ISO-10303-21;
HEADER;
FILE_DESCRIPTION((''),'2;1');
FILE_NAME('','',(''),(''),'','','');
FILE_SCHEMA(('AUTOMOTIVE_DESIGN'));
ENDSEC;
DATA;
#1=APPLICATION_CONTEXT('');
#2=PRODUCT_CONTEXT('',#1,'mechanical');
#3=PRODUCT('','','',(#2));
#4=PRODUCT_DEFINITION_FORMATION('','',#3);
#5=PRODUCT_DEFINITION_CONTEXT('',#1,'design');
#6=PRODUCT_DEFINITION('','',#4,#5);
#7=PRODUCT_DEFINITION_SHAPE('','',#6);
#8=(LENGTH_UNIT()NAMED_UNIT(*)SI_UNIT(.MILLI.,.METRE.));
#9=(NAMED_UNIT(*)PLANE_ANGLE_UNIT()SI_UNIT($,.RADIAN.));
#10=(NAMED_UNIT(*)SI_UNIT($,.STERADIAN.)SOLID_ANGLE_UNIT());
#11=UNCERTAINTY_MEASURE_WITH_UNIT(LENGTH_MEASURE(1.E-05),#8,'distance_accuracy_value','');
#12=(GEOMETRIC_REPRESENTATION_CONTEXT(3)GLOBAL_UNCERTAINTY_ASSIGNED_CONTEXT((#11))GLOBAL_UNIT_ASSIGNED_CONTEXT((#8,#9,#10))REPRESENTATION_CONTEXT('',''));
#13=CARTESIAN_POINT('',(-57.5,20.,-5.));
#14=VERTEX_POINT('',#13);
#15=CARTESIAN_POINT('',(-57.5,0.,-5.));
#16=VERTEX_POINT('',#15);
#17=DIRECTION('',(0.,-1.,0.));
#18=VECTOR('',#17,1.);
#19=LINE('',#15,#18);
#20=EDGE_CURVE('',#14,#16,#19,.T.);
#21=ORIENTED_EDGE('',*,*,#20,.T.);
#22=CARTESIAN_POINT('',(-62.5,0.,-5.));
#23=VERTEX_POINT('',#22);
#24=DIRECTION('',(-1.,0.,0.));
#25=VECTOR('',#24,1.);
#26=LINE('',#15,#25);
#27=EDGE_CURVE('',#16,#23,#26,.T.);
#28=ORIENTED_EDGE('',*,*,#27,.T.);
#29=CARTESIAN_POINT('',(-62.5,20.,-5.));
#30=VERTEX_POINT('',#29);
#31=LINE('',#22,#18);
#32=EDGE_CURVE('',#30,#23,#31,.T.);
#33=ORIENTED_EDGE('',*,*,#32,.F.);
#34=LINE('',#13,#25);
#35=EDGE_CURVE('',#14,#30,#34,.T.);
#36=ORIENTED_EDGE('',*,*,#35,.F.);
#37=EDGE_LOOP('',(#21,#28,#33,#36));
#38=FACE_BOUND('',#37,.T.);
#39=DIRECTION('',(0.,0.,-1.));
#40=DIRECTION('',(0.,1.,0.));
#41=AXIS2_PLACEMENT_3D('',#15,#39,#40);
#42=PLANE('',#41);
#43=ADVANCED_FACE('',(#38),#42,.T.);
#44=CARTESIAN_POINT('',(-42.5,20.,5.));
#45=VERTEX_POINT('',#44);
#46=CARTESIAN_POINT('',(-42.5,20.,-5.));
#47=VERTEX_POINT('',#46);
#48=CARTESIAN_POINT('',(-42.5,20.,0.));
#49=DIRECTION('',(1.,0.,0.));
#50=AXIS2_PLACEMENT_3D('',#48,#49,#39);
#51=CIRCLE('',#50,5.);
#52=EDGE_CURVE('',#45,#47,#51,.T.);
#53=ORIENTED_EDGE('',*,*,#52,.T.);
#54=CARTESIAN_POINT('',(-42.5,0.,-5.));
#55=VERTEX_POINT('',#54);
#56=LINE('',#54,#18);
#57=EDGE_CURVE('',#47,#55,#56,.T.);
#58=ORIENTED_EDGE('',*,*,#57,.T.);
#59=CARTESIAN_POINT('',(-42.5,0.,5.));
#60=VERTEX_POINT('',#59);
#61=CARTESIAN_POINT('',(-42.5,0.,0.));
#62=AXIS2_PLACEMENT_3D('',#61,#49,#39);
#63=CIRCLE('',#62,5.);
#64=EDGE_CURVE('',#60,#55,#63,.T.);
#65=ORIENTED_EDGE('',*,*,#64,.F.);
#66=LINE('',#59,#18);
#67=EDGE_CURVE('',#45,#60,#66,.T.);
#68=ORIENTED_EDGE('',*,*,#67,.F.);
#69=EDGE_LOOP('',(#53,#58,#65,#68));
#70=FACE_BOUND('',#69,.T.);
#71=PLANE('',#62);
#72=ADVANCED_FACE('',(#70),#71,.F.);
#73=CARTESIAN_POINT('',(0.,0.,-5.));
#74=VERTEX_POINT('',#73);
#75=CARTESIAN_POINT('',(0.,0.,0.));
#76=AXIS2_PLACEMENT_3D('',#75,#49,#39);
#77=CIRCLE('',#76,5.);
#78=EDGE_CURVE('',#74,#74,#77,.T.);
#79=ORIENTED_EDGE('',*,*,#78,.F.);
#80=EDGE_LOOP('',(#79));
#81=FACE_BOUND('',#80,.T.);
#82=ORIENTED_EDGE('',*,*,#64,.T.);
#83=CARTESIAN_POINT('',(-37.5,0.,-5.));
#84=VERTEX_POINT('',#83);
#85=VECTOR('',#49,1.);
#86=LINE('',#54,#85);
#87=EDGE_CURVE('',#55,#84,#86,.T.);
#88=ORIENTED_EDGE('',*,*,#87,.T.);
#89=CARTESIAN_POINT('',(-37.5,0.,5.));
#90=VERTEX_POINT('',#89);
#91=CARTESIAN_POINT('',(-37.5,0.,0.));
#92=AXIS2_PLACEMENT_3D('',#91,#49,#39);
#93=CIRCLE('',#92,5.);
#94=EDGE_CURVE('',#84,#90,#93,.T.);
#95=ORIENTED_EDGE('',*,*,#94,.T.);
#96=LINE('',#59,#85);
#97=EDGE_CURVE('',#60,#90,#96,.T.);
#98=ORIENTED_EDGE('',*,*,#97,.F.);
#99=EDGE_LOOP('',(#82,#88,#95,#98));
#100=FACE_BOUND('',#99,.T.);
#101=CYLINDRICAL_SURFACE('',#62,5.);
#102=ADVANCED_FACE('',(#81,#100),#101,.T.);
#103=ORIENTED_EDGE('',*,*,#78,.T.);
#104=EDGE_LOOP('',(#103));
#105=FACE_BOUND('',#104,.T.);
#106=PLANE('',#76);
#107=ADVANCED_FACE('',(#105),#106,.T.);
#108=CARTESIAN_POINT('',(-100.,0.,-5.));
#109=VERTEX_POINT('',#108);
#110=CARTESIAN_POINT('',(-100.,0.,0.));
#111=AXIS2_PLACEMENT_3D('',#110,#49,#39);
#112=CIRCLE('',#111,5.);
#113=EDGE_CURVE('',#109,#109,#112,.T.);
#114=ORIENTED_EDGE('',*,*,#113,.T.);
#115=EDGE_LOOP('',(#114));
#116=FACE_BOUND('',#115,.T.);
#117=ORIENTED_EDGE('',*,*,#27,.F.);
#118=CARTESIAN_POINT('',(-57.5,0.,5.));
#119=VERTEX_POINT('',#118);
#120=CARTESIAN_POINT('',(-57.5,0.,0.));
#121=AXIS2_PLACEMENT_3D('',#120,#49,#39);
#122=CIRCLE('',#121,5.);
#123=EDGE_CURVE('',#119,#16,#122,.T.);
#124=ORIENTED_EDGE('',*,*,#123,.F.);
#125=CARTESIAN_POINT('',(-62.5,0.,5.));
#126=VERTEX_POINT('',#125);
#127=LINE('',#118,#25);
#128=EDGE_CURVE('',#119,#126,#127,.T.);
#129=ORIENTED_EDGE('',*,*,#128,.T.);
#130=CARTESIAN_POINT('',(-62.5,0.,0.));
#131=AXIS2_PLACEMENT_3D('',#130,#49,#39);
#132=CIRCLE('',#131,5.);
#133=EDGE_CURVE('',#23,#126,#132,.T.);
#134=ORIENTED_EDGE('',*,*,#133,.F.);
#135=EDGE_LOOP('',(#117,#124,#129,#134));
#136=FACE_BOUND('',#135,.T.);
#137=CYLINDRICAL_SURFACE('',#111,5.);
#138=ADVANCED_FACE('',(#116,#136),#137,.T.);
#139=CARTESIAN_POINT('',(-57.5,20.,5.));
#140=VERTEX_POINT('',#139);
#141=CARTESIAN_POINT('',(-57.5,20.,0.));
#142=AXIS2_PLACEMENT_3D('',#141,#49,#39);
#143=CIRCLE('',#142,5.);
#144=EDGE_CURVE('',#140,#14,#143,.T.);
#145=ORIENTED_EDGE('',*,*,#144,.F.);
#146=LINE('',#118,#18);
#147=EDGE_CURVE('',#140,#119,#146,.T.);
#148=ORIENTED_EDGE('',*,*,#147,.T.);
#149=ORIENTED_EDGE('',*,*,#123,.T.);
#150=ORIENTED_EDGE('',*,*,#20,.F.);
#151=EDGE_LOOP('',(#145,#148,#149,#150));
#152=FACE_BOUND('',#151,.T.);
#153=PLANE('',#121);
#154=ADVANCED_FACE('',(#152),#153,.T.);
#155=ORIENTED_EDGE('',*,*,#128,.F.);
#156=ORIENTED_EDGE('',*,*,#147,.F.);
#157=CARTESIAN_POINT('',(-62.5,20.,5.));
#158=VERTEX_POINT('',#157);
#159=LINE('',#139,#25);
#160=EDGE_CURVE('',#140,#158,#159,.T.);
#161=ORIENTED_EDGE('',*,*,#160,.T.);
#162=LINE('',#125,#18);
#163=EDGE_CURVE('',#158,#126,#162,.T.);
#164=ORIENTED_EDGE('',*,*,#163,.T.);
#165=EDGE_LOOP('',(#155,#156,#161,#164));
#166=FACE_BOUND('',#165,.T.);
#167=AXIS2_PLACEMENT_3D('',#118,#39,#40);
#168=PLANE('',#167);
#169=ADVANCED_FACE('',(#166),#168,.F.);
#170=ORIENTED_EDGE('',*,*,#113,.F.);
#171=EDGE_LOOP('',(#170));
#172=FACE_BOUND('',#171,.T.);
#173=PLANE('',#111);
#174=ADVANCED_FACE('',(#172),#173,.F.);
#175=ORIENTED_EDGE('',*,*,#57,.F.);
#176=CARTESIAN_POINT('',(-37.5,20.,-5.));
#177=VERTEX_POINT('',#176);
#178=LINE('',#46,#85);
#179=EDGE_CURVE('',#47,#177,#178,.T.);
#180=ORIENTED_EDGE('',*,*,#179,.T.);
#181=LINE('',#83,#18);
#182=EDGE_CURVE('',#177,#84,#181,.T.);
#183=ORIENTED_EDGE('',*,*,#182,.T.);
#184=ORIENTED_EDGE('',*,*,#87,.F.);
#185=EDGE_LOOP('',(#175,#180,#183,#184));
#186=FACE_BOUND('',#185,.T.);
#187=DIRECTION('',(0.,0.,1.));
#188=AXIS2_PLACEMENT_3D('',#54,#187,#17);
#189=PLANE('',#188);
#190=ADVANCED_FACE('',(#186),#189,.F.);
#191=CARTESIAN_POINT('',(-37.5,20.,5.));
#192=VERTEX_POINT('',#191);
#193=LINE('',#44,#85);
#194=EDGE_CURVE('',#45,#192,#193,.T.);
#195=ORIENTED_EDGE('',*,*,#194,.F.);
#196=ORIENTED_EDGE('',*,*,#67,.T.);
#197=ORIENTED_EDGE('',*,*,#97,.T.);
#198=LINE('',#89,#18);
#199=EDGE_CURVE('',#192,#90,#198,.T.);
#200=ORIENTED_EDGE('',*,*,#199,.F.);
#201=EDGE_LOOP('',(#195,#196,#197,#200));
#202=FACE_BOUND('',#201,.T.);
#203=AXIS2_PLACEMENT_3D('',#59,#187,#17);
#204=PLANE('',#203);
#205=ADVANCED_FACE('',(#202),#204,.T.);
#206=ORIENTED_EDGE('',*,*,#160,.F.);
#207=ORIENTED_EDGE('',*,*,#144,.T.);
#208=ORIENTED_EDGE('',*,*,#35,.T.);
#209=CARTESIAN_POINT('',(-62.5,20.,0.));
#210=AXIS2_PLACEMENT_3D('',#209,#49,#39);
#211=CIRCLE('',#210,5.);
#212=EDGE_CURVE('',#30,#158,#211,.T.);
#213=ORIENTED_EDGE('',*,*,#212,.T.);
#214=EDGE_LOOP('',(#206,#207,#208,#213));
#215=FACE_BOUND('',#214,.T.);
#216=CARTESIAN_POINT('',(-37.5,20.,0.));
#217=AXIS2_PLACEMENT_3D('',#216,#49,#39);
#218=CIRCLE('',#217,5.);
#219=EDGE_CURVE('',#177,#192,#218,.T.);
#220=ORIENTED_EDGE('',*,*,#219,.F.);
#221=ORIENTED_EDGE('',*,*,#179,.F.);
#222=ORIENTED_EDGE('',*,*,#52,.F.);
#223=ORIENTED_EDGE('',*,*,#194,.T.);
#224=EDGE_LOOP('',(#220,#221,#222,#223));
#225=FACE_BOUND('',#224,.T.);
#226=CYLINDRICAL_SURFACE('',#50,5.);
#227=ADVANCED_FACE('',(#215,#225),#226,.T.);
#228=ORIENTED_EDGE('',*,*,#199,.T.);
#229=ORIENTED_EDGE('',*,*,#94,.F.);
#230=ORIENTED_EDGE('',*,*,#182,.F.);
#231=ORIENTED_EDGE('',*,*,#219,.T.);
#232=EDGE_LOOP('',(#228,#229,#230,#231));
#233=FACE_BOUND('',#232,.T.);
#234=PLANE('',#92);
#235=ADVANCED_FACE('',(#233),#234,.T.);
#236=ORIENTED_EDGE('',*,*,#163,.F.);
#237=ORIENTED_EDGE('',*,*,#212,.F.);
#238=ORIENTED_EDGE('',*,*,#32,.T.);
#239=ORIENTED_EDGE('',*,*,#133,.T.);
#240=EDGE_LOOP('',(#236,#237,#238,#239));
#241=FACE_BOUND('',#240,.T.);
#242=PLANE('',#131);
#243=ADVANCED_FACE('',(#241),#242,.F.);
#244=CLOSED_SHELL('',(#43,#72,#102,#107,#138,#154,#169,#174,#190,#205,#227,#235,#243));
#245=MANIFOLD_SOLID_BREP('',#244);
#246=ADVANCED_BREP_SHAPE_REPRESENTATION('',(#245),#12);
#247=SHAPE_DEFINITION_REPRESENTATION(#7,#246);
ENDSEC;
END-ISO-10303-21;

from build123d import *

# Parameters (mm, degrees)
SKETCH1_R           = 5
BOSS_EXTRUDE1_DEPTH = 42.5
BOSS_EXTRUDE2_START = -37.5
SKETCH1_3_R         = 5
BOSS_EXTRUDE2_DEPTH = 5
BOSS_EXTRUDE3_START = -37.5
SKETCH1_4_R         = 5
BOSS_EXTRUDE3_DEPTH = 25
BOSS_EXTRUDE4_START = -57.5
BOSS_EXTRUDE4_DEPTH = 5
BOSS_EXTRUDE5_START = -57.5
SKETCH1_6_R         = 5
BOSS_EXTRUDE5_DEPTH = 42.5


with BuildPart() as part:
    # Sketch1 → Boss-Extrude1 (new body)
    with BuildSketch(Plane(origin=(0, 0, 0), x_dir=(0, 0, -1), z_dir=(1, 0, 0))):
        Circle(SKETCH1_R)
    extrude(amount=-BOSS_EXTRUDE1_DEPTH)

    # Sketch1<3> → Boss-Extrude2 (add)
    with BuildSketch(Plane(origin=(0, 0, 0), x_dir=(0, 0, -1), z_dir=(1, 0, 0)).offset(BOSS_EXTRUDE2_START)):
        with BuildLine():
            ThreePointArc((5, 20), (0, 15), (-5, 20))
            Line((-5, 20), (-5, 0))
            ThreePointArc((-5, 0), (0, 5), (5, 0))
            Line((5, 0), (5, 20))
        make_face()
        with Locations((0, 20)):
            Circle(SKETCH1_3_R)
    extrude(amount=-BOSS_EXTRUDE2_DEPTH)

    # Sketch1<4> → Boss-Extrude3 (add)
    with BuildSketch(Plane(origin=(0, 0, 0), x_dir=(0, 0, -1), z_dir=(1, 0, 0)).offset(BOSS_EXTRUDE3_START)):
        with Locations((0, 20)):
            Circle(SKETCH1_4_R)
    extrude(amount=-BOSS_EXTRUDE3_DEPTH)

    # Sketch1<5> → Boss-Extrude4 (add)
    with BuildSketch(Plane(origin=(0, 0, 0), x_dir=(0, 0, -1), z_dir=(1, 0, 0)).offset(BOSS_EXTRUDE4_START)):
        with BuildLine():
            ThreePointArc((5, 20), (0, 15), (-5, 20))
            Line((-5, 20), (-5, 0))
            ThreePointArc((-5, 0), (0, 5), (5, 0))
            Line((5, 0), (5, 20))
        make_face()
    extrude(amount=-BOSS_EXTRUDE4_DEPTH)

    # Sketch1<6> → Boss-Extrude5 (add)
    with BuildSketch(Plane(origin=(0, 0, 0), x_dir=(0, 0, -1), z_dir=(1, 0, 0)).offset(BOSS_EXTRUDE5_START)):
        Circle(SKETCH1_6_R)
    extrude(amount=-BOSS_EXTRUDE5_DEPTH)


solid = part.part
